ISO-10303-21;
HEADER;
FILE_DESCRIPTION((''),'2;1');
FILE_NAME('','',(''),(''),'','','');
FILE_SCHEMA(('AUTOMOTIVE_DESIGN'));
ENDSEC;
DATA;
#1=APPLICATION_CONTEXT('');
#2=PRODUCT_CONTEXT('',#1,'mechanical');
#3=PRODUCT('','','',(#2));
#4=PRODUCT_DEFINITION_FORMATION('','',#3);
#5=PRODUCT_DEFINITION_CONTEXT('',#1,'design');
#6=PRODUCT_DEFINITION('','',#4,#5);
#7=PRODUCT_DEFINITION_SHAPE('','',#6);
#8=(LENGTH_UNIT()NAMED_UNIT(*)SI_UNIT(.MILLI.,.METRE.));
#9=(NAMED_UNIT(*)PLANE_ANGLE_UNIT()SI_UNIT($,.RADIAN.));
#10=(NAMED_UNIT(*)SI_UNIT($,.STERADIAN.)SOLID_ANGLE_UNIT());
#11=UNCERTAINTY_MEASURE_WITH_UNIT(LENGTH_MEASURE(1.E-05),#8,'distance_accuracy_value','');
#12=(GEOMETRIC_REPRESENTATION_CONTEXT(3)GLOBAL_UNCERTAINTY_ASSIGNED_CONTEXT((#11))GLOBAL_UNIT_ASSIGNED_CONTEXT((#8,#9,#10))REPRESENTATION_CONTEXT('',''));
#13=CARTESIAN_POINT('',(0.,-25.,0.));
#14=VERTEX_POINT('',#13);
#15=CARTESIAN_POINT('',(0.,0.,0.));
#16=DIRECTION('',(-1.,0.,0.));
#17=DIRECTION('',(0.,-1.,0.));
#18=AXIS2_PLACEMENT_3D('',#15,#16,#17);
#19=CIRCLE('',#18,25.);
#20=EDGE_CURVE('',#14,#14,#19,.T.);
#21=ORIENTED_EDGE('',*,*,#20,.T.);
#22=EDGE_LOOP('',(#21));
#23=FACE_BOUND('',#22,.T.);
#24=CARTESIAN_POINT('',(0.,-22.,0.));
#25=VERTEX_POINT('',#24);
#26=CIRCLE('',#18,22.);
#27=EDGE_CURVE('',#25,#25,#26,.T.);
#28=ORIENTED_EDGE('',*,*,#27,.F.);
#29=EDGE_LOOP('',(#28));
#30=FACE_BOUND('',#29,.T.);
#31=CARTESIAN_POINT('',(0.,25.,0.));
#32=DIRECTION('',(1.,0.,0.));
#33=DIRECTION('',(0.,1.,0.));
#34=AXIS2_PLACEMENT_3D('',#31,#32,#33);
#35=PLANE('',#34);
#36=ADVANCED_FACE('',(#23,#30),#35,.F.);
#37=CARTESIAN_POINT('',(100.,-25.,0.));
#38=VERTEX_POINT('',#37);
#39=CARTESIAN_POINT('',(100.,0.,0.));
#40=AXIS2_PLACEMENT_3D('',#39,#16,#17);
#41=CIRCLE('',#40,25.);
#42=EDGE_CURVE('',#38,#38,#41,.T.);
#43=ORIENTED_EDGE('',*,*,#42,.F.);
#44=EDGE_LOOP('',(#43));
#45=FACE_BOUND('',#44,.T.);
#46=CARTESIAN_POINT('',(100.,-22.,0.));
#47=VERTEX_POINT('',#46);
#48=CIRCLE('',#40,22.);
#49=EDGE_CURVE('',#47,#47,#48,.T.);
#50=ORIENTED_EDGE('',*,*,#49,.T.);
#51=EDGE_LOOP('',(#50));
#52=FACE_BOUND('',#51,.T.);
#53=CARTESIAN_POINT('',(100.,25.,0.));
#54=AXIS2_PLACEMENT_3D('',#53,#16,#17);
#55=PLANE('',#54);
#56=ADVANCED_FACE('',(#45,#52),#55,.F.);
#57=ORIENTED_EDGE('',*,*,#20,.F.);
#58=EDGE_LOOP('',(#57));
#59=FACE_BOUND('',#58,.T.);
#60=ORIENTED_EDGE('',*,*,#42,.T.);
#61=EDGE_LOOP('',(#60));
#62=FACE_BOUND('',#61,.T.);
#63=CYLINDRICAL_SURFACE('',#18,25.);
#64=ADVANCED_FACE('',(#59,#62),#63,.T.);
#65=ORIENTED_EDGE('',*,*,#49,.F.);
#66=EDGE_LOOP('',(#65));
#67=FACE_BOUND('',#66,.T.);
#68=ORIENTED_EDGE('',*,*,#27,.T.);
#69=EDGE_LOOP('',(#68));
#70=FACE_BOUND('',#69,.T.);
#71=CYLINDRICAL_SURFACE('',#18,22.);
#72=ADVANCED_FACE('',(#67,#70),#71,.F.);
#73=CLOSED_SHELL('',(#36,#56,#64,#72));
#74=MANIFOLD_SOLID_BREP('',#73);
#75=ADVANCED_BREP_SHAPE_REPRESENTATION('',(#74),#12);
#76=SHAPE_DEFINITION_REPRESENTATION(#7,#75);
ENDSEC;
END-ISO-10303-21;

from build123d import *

# Parameters (mm, degrees)
SKETCH1_W = 100
SKETCH1_H = 3


with BuildPart() as part:
    # Sketch1 → Revolve1 (revolve)
    with BuildSketch(Plane.XY, mode=Mode.PRIVATE) as revolve1_sk:
        with Locations((50, 23.5)):
            Rectangle(SKETCH1_W, SKETCH1_H)
    revolve(revolve1_sk.sketch.rotate(Axis((0, 0, 0), (1, 0, 0)), 180), axis=Axis((0, 0, 0), (1, 0, 0)))


solid = part.part
